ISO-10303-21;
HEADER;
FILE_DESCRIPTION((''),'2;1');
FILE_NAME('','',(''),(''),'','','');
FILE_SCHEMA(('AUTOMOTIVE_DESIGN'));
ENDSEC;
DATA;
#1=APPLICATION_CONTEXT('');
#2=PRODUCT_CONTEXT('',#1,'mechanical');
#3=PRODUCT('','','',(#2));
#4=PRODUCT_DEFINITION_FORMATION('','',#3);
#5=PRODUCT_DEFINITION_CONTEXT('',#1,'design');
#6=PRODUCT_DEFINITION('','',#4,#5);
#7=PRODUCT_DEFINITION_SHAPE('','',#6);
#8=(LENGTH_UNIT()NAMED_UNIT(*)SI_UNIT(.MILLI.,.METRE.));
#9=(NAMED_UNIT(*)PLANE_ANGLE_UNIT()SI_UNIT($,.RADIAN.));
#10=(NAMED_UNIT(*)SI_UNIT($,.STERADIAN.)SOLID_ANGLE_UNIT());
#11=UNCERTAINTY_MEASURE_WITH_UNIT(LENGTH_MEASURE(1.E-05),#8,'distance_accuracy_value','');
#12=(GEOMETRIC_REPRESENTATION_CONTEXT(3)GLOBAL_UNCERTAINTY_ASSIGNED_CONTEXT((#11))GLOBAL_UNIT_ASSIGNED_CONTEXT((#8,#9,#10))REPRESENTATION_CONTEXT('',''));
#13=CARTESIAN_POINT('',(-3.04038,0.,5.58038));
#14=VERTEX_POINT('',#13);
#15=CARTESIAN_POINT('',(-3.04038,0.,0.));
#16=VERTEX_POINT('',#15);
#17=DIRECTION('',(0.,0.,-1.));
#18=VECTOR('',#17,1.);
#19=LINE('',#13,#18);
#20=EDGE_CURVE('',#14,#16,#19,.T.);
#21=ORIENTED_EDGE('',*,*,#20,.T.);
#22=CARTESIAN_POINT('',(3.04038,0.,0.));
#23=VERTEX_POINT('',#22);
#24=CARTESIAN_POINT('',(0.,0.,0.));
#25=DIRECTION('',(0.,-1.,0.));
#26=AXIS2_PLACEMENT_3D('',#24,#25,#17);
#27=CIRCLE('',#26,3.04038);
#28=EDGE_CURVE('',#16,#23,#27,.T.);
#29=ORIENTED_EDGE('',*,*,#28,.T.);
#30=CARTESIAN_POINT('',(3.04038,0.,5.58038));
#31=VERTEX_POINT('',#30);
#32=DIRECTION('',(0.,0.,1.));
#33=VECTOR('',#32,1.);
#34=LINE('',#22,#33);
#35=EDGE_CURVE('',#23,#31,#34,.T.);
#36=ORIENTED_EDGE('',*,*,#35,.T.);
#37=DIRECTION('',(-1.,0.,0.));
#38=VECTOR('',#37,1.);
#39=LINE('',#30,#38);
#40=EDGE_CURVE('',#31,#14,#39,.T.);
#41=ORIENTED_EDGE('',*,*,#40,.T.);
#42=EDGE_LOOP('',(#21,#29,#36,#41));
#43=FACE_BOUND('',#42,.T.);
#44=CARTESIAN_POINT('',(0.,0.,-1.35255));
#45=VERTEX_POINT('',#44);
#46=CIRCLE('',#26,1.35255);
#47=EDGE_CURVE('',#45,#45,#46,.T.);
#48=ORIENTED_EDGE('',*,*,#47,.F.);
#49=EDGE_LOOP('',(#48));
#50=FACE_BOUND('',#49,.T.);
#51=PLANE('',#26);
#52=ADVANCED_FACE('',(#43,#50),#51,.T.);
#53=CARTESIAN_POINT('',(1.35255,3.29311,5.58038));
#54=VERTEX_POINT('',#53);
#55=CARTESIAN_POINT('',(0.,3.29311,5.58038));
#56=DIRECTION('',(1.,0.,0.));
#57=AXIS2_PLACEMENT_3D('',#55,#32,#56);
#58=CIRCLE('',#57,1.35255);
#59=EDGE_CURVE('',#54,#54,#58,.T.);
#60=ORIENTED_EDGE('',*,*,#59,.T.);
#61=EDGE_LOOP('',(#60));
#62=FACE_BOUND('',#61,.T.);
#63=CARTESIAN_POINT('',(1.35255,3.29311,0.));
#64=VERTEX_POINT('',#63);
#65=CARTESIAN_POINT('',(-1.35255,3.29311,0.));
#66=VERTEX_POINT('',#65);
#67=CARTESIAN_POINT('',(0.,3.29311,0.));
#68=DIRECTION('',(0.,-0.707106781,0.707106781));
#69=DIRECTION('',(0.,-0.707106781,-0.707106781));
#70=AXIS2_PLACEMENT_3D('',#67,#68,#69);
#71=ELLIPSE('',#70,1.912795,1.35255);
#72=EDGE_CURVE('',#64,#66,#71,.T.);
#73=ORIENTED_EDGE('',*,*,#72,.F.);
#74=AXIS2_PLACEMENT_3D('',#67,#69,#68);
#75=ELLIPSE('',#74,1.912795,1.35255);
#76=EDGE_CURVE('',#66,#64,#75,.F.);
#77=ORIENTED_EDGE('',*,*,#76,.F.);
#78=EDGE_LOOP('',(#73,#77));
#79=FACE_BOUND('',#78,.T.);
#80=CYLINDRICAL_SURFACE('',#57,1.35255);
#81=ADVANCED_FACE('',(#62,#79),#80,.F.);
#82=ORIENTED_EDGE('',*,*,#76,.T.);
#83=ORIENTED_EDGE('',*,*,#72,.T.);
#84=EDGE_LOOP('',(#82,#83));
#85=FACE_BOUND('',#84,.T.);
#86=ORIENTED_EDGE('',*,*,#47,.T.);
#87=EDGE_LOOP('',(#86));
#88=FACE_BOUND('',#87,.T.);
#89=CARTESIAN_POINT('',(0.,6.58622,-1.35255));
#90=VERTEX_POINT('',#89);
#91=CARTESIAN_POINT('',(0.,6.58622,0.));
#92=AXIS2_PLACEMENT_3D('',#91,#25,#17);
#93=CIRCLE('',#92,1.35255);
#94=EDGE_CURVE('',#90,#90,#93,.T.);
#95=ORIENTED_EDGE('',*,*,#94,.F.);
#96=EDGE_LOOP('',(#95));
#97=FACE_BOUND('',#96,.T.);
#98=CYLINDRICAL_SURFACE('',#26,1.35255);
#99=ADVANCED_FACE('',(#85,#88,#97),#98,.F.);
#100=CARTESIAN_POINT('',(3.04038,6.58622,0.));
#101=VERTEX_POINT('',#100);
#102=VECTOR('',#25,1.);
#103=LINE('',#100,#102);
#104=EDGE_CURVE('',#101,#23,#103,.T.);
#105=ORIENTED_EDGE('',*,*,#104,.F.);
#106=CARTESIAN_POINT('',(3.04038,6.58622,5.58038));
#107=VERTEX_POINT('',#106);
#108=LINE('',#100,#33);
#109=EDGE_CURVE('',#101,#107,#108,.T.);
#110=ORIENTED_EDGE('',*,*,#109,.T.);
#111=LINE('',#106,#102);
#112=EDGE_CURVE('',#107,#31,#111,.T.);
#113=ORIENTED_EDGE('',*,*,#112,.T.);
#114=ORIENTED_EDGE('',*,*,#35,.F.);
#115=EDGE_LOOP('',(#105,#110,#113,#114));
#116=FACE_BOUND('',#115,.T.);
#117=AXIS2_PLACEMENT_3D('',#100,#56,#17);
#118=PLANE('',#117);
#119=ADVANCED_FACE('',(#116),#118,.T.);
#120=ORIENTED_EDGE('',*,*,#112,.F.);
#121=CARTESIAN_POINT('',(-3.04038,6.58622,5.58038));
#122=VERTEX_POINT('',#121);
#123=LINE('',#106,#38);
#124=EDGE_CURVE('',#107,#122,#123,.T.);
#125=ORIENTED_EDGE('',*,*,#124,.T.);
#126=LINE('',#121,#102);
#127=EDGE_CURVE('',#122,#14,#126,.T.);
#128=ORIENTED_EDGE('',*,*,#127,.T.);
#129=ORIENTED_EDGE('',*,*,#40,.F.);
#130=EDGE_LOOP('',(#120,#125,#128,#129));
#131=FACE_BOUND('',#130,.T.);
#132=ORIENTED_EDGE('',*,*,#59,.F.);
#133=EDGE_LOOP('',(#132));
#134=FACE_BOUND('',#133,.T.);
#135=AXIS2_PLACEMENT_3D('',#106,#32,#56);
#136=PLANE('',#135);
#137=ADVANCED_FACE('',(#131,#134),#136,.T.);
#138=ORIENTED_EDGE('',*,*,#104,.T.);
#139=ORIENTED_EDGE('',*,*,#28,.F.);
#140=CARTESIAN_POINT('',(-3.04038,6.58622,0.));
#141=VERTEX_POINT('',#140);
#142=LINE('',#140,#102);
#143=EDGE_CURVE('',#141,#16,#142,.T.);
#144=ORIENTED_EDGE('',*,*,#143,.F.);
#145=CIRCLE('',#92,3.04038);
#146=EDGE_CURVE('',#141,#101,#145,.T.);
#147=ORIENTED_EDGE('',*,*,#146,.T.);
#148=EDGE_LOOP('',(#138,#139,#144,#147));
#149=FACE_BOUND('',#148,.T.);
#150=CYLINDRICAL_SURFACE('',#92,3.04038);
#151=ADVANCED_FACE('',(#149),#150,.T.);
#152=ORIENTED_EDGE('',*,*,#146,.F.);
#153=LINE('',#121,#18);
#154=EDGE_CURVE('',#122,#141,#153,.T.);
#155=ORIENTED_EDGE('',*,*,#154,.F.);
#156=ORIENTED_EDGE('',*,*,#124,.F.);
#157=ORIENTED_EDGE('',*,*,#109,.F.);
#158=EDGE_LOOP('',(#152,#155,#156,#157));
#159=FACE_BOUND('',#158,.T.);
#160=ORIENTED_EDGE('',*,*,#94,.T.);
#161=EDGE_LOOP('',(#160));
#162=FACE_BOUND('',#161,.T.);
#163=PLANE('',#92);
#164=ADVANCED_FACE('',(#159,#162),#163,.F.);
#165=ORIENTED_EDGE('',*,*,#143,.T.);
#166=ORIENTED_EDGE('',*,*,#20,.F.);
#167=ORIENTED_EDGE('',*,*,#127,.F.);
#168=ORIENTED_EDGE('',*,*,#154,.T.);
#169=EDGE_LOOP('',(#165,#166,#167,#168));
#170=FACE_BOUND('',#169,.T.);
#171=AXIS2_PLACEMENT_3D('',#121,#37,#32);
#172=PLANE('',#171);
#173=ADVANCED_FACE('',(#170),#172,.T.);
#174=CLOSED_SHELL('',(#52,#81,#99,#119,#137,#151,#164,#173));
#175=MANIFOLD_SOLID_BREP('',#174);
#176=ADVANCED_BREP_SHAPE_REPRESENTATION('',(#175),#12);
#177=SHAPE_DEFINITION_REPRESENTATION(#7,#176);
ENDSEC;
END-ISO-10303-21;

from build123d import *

# Parameters (mm, degrees)
BOSS_EXTRUDE1_DEPTH         = 6.58622
M2_5_CLEARANCE_HOLE1_D      = 2.7051
M2_5_CLEARANCE_HOLE2_REACH  = 13.267
M2_5_CLEARANCE_HOLE2_BORE_R = 1.35255


with BuildPart() as part:
    # Sketch1 → Boss-Extrude1 (new body)
    with BuildSketch(Plane.XZ):
        with BuildLine():
            Line((3.04038, 0), (3.04038, 5.58038))
            Line((3.04038, 5.58038), (-3.04038, 5.58038))
            Line((-3.04038, 5.58038), (-3.04038, 0))
            ThreePointArc((-3.04038, 0), (0, -3.04038), (3.04038, 0))
        make_face()
    extrude(amount=-BOSS_EXTRUDE1_DEPTH)

    # M2.5 Clearance Hole1 (through all)
    with Locations(Plane(origin=(0, 0, 0), x_dir=(-1, 0, 0), z_dir=(0, -1, 0))):
        with Locations((0, 0)):
            Hole(M2_5_CLEARANCE_HOLE1_D / 2)

    # M2.5 Clearance Hole2 bore → M2.5 Clearance Hole2 (cut, up to next)
    with BuildSketch(Plane.XY.offset(5.58038), mode=Mode.PRIVATE) as m2_5_clearance_hole2_sk1:
        with Locations((0, 3.29311)):
            Circle(M2_5_CLEARANCE_HOLE2_BORE_R)
    m2_5_clearance_hole2_tool1 = extrude(m2_5_clearance_hole2_sk1.sketch, amount=-M2_5_CLEARANCE_HOLE2_REACH, mode=Mode.PRIVATE) & part.part
    add(m2_5_clearance_hole2_tool1.solids().sort_by_distance((0, 3.29311, 5.58038))[0], mode=Mode.SUBTRACT)


solid = part.part
